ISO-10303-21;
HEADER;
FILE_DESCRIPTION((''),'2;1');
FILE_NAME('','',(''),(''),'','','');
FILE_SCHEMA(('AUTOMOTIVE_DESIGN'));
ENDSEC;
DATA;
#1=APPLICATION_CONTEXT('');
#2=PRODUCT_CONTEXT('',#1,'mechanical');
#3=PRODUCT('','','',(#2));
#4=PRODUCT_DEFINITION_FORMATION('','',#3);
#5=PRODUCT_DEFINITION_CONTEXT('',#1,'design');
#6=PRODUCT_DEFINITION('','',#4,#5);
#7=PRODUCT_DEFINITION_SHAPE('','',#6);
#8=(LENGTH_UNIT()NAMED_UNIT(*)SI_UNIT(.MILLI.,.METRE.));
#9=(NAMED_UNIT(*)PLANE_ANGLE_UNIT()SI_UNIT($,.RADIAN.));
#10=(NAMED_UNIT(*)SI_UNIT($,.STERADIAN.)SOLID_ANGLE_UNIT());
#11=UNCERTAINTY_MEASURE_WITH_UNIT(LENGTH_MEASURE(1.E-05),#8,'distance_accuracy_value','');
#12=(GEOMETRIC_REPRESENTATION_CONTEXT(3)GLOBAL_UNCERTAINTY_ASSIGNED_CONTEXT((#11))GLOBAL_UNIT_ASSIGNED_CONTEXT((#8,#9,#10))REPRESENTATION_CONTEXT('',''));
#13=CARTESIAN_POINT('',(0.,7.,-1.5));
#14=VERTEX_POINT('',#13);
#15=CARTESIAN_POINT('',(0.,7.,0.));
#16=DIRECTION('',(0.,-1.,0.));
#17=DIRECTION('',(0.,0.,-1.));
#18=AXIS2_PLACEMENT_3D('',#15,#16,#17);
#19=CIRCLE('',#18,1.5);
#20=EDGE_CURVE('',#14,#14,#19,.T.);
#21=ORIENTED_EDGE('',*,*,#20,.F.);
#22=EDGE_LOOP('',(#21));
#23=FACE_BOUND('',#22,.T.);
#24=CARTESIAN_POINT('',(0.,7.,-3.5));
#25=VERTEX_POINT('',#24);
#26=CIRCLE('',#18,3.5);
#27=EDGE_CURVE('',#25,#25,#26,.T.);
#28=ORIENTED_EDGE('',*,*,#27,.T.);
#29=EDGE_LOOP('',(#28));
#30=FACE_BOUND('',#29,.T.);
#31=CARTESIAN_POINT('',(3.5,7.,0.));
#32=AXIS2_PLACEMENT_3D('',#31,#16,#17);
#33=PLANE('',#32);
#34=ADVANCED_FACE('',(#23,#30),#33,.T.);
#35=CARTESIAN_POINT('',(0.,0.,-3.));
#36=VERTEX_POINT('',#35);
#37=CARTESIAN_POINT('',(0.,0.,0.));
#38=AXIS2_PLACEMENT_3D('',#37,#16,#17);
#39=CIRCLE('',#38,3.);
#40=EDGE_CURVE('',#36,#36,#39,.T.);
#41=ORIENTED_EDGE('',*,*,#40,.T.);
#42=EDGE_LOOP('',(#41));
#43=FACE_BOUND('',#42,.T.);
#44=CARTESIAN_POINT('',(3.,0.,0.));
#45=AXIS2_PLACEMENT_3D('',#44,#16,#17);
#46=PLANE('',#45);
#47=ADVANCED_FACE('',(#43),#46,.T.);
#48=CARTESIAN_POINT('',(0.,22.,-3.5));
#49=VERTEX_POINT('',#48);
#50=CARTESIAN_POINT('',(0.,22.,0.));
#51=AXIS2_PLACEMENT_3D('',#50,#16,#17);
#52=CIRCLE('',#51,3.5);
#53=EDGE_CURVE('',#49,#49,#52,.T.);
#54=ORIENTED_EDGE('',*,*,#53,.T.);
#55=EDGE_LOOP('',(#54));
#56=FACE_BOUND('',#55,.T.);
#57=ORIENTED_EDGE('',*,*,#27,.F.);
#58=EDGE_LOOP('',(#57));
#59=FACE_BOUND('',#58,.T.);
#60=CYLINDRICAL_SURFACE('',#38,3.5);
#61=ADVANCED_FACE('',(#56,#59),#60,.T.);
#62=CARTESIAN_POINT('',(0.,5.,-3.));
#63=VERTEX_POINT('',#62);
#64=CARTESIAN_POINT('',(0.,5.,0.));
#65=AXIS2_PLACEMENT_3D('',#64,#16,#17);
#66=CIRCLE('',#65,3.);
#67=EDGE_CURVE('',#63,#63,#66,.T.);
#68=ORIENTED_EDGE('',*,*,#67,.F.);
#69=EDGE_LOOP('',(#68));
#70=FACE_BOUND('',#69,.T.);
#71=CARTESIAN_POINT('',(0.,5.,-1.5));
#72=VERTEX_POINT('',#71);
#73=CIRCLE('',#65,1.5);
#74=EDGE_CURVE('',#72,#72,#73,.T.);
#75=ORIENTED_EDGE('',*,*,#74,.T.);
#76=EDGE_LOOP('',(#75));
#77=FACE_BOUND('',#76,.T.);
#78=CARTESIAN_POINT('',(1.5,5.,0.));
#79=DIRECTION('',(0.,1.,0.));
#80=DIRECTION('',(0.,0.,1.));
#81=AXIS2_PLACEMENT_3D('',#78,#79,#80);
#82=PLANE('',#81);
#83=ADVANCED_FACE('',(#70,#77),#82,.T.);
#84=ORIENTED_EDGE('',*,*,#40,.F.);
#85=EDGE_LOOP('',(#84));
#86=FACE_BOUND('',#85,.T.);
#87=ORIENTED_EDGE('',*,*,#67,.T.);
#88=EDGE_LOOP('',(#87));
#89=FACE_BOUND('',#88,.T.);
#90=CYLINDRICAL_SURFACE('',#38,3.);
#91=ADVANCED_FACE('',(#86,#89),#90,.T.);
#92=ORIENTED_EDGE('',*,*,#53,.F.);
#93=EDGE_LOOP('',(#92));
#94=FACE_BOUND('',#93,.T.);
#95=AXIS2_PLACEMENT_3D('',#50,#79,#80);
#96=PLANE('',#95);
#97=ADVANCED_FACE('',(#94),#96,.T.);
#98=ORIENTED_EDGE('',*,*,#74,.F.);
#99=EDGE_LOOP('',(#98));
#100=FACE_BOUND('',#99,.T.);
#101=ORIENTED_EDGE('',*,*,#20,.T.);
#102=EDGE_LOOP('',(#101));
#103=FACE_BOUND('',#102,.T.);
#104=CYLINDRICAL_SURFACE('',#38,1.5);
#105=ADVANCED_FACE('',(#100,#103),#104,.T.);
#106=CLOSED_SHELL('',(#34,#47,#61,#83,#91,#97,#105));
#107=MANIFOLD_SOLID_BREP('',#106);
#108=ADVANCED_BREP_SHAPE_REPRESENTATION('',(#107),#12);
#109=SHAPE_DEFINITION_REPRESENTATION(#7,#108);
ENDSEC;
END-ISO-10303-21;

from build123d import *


with BuildPart() as part:
    # Sketch1 → Revolve1 (revolve)
    with BuildSketch(Plane.XY, mode=Mode.PRIVATE) as revolve1_sk:
        Polygon((0, 22), (3.5, 22), (3.5, 7), (1.5, 7), (1.5, 5), (3, 5), (3, 0), (0, 0), align=None)
    revolve(revolve1_sk.sketch.rotate(Axis((0, 0, 0), (0, 1, 0)), 90), axis=Axis((0, 0, 0), (0, 1, 0)))


solid = part.part
